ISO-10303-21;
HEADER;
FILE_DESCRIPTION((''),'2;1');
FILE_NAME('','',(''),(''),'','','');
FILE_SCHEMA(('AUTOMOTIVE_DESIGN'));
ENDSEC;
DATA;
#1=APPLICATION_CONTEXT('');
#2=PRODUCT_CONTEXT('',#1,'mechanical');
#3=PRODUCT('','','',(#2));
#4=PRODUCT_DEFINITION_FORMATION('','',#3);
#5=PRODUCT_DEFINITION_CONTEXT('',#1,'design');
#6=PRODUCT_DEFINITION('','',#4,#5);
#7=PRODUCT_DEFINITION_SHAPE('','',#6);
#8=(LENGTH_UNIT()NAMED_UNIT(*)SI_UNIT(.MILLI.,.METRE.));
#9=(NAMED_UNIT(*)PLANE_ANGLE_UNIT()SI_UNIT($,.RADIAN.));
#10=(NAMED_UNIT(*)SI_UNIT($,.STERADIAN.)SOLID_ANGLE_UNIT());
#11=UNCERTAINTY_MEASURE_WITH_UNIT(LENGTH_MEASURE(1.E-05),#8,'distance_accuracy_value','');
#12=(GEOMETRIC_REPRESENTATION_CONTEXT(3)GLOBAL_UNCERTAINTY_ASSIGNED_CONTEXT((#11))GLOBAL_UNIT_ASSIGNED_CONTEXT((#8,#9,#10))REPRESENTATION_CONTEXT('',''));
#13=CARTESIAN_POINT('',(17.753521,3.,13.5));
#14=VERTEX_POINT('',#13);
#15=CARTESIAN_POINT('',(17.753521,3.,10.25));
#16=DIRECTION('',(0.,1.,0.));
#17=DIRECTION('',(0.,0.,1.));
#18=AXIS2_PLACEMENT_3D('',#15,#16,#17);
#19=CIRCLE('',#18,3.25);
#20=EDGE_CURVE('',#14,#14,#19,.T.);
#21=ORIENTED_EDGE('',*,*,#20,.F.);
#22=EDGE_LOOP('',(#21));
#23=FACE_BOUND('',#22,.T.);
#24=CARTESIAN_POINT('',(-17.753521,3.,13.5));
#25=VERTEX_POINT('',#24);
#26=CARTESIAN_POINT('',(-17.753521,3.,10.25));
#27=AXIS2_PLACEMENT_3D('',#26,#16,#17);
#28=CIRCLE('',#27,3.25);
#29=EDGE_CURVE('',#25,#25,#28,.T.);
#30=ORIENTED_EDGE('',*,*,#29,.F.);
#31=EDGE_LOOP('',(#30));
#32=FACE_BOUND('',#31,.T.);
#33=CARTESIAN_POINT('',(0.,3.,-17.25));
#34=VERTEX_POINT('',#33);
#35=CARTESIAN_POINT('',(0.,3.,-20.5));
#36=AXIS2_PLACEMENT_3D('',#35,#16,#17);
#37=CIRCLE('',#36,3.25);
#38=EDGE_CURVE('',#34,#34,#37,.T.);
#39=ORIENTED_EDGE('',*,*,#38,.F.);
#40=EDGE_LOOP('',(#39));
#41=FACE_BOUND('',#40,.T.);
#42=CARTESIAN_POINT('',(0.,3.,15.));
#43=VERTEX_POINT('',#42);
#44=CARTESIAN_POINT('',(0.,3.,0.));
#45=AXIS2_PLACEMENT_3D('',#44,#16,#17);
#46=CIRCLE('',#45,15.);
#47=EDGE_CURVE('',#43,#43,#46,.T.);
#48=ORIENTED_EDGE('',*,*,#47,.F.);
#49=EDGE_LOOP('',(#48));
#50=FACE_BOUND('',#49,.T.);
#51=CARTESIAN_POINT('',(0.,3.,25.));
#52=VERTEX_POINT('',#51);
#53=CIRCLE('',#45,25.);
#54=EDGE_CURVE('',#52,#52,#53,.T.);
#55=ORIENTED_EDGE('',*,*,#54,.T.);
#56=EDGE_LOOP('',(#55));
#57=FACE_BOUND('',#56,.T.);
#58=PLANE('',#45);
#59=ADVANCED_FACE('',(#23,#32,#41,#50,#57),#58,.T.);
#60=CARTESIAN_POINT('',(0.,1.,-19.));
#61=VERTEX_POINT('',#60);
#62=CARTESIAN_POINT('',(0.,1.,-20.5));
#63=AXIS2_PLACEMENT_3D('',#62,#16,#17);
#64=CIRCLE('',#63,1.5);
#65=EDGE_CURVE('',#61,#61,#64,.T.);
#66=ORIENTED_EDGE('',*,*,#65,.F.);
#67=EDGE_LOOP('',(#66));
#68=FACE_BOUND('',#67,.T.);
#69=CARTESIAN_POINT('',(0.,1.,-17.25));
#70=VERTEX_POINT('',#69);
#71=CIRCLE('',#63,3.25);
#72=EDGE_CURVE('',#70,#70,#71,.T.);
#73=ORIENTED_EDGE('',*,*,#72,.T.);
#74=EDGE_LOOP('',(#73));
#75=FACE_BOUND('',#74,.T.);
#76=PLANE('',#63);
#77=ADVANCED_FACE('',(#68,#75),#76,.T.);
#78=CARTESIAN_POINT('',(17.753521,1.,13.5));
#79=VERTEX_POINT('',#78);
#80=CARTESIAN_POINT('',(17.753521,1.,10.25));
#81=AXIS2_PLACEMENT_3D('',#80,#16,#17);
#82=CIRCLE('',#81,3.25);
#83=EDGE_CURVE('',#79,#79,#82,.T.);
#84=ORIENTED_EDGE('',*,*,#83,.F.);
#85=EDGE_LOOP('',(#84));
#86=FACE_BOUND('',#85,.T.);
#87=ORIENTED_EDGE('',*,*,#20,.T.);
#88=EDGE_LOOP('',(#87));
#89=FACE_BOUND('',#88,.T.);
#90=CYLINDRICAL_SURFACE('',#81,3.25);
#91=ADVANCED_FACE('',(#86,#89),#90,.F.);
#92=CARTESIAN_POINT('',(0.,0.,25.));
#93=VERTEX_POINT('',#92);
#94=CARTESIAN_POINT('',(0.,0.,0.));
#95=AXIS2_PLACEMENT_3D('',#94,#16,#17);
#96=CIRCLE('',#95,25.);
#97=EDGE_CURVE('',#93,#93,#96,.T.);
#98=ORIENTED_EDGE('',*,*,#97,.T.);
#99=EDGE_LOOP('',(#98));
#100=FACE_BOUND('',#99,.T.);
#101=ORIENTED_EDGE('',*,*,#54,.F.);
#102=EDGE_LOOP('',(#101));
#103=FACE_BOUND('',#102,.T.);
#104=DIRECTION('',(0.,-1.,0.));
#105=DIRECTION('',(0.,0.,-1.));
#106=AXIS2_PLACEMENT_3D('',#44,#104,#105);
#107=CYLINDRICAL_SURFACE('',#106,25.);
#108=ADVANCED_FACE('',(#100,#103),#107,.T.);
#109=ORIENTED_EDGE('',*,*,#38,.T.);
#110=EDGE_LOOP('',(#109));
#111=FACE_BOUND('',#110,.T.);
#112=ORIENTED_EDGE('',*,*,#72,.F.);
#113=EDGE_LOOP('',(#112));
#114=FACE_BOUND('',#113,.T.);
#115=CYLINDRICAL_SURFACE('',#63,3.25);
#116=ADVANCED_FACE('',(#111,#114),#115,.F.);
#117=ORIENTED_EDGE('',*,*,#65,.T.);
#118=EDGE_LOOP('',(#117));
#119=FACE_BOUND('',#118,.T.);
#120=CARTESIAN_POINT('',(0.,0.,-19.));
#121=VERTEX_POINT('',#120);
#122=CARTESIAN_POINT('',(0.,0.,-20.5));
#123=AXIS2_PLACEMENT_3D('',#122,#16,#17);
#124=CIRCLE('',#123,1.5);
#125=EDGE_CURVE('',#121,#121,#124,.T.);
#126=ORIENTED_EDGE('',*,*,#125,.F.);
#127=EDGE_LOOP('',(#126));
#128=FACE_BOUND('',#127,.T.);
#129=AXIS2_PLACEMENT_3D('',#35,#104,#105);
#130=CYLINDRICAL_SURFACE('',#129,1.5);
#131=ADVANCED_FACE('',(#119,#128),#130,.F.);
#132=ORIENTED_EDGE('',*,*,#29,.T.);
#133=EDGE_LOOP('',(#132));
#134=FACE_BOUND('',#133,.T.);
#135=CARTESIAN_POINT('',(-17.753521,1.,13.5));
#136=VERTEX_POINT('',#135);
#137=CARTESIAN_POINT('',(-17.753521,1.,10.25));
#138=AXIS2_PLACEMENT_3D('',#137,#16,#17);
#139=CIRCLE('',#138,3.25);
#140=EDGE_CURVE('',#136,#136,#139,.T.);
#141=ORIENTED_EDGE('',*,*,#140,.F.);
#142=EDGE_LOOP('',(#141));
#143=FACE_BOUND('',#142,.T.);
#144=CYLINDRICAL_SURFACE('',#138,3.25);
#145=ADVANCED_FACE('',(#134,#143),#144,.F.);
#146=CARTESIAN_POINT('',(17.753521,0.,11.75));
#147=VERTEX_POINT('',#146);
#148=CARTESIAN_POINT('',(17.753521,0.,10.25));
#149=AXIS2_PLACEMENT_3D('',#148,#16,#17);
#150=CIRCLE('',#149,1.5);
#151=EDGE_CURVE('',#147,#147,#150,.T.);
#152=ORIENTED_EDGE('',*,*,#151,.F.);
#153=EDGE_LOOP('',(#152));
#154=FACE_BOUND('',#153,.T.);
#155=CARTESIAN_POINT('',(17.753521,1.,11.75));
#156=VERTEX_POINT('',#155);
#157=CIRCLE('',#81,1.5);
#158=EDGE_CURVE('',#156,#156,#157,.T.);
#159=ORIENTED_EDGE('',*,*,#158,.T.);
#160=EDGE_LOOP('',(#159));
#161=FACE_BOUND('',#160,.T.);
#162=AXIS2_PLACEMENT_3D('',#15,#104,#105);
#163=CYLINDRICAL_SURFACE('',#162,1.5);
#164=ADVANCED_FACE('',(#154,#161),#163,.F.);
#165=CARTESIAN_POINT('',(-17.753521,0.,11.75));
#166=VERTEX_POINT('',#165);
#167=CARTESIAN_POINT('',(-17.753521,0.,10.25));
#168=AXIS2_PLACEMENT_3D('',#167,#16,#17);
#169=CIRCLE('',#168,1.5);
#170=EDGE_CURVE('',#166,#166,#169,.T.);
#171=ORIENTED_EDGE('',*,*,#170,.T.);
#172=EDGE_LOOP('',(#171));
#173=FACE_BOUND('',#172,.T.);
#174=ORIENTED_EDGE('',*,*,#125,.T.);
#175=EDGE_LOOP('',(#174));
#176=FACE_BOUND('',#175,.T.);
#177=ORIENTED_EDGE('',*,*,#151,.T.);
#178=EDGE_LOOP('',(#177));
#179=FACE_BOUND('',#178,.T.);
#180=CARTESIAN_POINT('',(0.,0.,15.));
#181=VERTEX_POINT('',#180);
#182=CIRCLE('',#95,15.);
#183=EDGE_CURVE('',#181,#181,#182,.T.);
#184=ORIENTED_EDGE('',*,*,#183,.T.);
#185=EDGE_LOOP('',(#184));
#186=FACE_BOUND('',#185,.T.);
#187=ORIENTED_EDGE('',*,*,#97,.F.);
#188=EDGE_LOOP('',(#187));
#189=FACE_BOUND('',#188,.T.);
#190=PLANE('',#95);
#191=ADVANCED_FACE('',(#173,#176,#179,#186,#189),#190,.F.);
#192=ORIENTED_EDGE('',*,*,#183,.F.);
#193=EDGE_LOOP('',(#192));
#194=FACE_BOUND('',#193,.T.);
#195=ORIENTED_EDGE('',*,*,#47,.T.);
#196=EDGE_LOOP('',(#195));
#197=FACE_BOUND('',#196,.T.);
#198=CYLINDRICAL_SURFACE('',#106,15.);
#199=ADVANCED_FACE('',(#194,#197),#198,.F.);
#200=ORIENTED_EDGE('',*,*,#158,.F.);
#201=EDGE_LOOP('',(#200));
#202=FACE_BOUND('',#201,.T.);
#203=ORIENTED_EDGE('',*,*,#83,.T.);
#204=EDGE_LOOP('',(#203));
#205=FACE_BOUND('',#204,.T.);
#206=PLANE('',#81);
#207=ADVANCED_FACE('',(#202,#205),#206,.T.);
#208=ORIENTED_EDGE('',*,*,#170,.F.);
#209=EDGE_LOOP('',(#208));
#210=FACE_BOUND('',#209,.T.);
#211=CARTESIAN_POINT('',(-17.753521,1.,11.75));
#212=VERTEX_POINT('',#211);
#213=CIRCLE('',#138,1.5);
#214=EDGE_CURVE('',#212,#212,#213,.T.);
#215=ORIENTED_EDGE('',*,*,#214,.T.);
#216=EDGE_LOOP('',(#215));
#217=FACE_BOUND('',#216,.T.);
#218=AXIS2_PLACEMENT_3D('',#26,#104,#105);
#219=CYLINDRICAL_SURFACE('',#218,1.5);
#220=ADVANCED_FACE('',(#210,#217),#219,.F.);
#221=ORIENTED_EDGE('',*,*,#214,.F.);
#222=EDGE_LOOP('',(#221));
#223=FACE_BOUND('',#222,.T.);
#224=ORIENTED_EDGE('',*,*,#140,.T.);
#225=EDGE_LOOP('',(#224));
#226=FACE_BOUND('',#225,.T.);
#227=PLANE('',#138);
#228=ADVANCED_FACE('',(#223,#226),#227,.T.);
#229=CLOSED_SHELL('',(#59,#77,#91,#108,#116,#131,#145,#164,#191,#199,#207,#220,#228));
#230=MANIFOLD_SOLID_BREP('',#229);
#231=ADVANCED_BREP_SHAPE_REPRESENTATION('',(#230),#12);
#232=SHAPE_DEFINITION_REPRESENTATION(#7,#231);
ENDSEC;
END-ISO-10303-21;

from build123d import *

# Parameters (mm, degrees)
SKETCH1_R           = 25
SKETCH1_R_2         = 1.5
SKETCH1_R_3         = 15
BOSS_EXTRUDE1_DEPTH = 3
SKETCH2_R           = 3.25
CUT_EXTRUDE1_DEPTH  = 2


with BuildPart() as part:
    # Sketch1 → Boss-Extrude1 (new body)
    with BuildSketch(Plane(origin=(0, 0, 0), x_dir=(1, 0, 0), z_dir=(0, 1, 0))):
        with Locations(Location((0, 0, 0), (0, 0, 270))):
            Circle(SKETCH1_R)
        with Locations(Location((0, 20.5, 0), (0, 0, 270))):
            Circle(SKETCH1_R_2, mode=Mode.SUBTRACT)
        with Locations(Location((17.753520778, -10.25, 0), (0, 0, 270))):
            Circle(SKETCH1_R_2, mode=Mode.SUBTRACT)
        with Locations(Location((-17.753520778, -10.25, 0), (0, 0, 270))):
            Circle(SKETCH1_R_2, mode=Mode.SUBTRACT)
        with Locations(Location((0, 0, 0), (0, 0, 270))):
            Circle(SKETCH1_R_3, mode=Mode.SUBTRACT)
    extrude(amount=BOSS_EXTRUDE1_DEPTH)

    # Sketch2 → Cut-Extrude1 (cut)
    with BuildSketch(Plane(origin=(0, 3, 0), x_dir=(1, 0, 0), z_dir=(0, 1, 0))):
        with Locations(Location((0, 20.5, 0), (0, 0, 270))):
            Circle(SKETCH2_R)
        with Locations(Location((17.753520778, -10.25, 0), (0, 0, 270))):
            Circle(SKETCH2_R)
        with Locations(Location((-17.753520778, -10.25, 0), (0, 0, 270))):
            Circle(SKETCH2_R)
    extrude(amount=-CUT_EXTRUDE1_DEPTH, mode=Mode.SUBTRACT)


solid = part.part
